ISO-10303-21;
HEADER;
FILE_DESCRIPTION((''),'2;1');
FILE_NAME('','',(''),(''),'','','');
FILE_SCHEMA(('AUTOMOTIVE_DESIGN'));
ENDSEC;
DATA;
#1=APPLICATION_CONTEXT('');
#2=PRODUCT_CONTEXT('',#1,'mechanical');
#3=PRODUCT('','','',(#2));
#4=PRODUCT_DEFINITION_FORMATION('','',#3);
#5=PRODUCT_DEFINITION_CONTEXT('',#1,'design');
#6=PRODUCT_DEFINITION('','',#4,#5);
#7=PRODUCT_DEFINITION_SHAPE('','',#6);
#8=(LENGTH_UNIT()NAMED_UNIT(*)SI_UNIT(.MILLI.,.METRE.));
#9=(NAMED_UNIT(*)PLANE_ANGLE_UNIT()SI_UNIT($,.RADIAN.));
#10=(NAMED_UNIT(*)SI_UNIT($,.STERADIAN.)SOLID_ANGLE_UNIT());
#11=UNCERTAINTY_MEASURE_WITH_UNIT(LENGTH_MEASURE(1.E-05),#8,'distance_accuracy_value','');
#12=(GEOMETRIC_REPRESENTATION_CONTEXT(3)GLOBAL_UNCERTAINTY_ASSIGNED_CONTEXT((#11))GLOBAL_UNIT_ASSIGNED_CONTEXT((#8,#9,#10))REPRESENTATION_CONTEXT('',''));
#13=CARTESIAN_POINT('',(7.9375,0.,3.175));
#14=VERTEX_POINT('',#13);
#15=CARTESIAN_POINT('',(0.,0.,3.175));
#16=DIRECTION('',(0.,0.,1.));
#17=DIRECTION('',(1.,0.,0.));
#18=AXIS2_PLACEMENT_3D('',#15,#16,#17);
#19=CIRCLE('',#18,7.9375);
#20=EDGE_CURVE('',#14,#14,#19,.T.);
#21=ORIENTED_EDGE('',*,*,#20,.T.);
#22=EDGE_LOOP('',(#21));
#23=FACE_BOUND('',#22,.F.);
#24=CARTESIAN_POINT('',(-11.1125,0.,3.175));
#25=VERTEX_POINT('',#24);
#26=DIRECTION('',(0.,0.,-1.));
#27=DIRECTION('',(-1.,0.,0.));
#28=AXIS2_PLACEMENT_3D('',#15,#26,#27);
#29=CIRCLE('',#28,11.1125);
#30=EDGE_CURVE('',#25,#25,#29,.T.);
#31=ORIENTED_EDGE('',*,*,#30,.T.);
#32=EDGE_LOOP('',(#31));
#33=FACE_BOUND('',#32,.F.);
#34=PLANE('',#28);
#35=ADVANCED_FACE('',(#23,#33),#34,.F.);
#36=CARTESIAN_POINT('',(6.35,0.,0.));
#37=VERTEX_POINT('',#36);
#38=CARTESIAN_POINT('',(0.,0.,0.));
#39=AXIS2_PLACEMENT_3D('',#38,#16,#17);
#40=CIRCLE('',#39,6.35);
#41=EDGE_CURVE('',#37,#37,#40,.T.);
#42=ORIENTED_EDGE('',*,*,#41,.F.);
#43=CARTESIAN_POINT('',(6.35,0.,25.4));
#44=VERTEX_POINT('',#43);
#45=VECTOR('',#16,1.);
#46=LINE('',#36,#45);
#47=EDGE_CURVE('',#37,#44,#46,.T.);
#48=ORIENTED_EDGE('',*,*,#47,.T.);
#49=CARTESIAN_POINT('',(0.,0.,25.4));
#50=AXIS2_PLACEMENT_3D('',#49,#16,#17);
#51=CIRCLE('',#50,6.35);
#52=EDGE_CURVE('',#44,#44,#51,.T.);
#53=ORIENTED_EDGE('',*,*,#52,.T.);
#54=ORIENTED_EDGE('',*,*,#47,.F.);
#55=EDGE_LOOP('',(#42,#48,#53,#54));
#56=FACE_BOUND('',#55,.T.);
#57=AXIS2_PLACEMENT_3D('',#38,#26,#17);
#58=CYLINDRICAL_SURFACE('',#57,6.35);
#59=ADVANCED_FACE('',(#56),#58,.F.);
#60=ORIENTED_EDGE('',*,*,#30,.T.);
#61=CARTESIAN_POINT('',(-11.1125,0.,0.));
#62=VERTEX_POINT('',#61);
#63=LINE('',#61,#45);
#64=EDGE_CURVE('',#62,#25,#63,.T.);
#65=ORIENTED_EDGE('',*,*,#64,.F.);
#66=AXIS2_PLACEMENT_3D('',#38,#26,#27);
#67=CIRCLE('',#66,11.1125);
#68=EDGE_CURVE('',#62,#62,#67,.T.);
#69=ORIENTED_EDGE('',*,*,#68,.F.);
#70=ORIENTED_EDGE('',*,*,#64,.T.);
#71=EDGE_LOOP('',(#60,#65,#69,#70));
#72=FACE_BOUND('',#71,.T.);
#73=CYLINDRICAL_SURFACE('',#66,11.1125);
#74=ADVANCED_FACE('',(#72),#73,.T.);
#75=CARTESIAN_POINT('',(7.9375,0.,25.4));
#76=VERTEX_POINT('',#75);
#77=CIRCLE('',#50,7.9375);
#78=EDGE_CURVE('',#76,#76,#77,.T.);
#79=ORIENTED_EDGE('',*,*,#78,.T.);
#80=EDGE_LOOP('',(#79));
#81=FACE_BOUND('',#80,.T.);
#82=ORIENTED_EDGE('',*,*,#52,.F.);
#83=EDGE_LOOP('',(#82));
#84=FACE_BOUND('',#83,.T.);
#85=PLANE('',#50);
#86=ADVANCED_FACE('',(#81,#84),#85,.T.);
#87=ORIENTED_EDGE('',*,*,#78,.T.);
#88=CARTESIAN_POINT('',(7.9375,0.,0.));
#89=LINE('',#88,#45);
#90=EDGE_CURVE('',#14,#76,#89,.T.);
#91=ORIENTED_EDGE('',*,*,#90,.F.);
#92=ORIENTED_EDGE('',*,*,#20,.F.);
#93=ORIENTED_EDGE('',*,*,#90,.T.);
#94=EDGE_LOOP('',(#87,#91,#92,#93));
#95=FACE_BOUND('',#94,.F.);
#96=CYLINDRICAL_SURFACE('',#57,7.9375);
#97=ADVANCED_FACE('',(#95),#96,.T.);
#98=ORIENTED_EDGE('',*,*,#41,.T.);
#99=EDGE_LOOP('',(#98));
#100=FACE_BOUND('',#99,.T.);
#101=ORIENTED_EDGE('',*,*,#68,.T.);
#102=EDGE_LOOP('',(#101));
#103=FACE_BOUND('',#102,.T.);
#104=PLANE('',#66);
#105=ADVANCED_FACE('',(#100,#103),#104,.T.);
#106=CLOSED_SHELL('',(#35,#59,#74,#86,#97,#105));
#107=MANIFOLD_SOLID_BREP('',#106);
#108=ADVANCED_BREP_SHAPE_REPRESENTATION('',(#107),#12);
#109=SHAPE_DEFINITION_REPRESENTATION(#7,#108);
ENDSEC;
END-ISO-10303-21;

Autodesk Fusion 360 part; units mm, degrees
sketch "Sketch1" plane through (0, 0, 0) normal (0, 0, 1) x (1, 0, 0)
  circle A0 centre (0, 0) radius 6.35
  circle A1 centre (0, 0) radius 7.9375
  dimension "d1" = 12.7
  dimension "d2" = 15.875
extrude "Extrude1" add sketch "Sketch1" along normal blind 25.4
sketch "Sketch2" plane through (0, 0, 0) normal (0, 0, -1) x (-1, 0, 0)
  circle A0 centre (0, 0) radius 7.9375
  circle A1 centre (0, 0) radius 11.1125
  circle A2 centre (0, 0) radius 6.35
  dimension "d5" = 22.225
extrude "Extrude2" add sketch "Sketch2" against normal blind 3.175 contours A1
equation "d1 = Shaft_ID"
equation "d2 = Housing_ID"
equation "d3 = Length"
equation "d5 = Flange_OD"
equation "d6 = FlangeT"
equation "Shaft_ID = ( 1 / 2 ) * 1 in"
equation "Housing_ID = ( 5 / 8 ) * 1 in"
equation "FlangeT = ( -1 / 8 ) * 1 in"
equation "Length = 1 in"
equation "Flange_OD = ( 7 / 8 ) * 1 in"
